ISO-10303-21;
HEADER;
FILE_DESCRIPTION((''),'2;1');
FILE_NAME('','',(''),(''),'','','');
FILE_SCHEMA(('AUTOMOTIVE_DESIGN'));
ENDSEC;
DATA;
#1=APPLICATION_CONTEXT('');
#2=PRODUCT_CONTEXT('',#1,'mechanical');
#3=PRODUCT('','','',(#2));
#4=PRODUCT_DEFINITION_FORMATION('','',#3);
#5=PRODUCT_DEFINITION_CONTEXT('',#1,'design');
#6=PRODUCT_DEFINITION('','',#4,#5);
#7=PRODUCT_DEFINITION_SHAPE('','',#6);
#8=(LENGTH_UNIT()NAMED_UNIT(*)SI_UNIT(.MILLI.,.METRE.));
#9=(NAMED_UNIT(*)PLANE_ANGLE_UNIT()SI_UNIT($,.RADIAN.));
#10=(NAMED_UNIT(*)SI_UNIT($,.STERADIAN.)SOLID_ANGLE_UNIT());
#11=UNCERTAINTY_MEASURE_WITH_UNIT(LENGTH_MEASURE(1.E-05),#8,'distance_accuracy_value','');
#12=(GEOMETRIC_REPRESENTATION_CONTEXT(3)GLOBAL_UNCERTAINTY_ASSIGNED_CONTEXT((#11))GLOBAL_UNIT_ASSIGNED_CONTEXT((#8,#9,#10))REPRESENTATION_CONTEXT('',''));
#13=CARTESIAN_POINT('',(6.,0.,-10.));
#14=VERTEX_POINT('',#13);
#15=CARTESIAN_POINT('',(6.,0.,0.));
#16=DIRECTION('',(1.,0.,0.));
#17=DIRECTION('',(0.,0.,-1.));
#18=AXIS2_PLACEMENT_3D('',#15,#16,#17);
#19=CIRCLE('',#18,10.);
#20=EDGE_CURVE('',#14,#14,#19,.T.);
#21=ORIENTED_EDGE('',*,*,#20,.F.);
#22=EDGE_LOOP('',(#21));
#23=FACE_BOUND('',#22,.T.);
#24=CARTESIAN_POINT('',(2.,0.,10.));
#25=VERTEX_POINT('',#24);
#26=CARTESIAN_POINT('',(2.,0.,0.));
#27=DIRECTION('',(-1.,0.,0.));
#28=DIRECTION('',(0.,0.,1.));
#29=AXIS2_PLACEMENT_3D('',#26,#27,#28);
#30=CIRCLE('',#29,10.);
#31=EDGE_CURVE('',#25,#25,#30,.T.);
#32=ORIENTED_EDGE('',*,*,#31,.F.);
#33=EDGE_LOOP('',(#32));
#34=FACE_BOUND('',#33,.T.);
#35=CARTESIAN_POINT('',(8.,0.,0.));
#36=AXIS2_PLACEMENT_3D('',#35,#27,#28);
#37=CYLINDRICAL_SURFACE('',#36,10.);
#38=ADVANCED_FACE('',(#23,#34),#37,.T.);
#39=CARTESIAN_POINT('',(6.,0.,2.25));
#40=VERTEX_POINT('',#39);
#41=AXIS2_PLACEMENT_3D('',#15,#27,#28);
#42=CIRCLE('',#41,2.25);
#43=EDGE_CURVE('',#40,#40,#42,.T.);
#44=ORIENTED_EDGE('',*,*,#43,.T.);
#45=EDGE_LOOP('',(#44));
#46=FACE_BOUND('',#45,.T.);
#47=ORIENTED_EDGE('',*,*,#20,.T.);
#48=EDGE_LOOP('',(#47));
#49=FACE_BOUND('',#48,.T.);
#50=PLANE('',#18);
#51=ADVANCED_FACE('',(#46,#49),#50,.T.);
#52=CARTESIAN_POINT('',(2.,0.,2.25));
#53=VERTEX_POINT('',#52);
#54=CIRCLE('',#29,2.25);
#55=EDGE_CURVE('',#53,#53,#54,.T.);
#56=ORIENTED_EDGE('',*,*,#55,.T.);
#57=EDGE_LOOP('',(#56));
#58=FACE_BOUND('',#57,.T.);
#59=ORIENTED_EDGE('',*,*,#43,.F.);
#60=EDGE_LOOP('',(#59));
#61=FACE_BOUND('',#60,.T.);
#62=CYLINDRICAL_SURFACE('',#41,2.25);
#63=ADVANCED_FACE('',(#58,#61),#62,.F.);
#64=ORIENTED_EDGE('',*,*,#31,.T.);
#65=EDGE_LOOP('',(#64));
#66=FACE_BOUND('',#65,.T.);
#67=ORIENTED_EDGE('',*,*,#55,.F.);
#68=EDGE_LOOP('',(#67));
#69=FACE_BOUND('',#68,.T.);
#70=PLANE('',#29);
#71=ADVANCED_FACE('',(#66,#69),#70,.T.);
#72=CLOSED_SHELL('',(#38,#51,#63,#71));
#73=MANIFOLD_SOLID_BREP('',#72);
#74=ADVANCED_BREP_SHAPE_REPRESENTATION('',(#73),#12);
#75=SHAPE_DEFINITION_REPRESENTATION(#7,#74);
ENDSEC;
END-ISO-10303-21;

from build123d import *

# Parameters (mm, degrees)
SKETCH1_R               = 10
BOSS_EXTRUDE1_DEPTH     = 8
SKETCH2_R               = 13.5
CUT_EXTRUDE1_DEPTH      = 2
SKETCH3_R               = 13.5
CUT_EXTRUDE2_DEPTH      = 2
CUT_EXTRUDE3_DEPTH      = 15.696938457
CUT_EXTRUDE3_DEPTH_BACK = 15.696938457
SKETCH4_R               = 2.25


with BuildPart() as part:
    # Sketch1 → Boss-Extrude1 (new body)
    with BuildSketch(Plane(origin=(0, 0, 0), x_dir=(0, 0, -1), z_dir=(1, 0, 0))):
        Circle(SKETCH1_R)
    extrude(amount=BOSS_EXTRUDE1_DEPTH)

    # Sketch2 → Cut-Extrude1 (cut)
    with BuildSketch(Plane(origin=(8, 0, 0), x_dir=(0, 0, -1), z_dir=(1, 0, 0))):
        Circle(SKETCH2_R)
    extrude(amount=-CUT_EXTRUDE1_DEPTH, mode=Mode.SUBTRACT)

    # Sketch3 → Cut-Extrude2 (cut)
    with BuildSketch(Plane.ZY):
        Circle(SKETCH3_R)
    extrude(amount=-CUT_EXTRUDE2_DEPTH, mode=Mode.SUBTRACT)

    # Sketch4 → Cut-Extrude3 (cut, two sides: drawn at the far end of the back side and taken through both)
    with BuildSketch(Plane.ZY.offset(-2).offset(-CUT_EXTRUDE3_DEPTH_BACK)):
        Circle(SKETCH4_R)
    extrude(amount=CUT_EXTRUDE3_DEPTH + CUT_EXTRUDE3_DEPTH_BACK, mode=Mode.SUBTRACT)


solid = part.part
